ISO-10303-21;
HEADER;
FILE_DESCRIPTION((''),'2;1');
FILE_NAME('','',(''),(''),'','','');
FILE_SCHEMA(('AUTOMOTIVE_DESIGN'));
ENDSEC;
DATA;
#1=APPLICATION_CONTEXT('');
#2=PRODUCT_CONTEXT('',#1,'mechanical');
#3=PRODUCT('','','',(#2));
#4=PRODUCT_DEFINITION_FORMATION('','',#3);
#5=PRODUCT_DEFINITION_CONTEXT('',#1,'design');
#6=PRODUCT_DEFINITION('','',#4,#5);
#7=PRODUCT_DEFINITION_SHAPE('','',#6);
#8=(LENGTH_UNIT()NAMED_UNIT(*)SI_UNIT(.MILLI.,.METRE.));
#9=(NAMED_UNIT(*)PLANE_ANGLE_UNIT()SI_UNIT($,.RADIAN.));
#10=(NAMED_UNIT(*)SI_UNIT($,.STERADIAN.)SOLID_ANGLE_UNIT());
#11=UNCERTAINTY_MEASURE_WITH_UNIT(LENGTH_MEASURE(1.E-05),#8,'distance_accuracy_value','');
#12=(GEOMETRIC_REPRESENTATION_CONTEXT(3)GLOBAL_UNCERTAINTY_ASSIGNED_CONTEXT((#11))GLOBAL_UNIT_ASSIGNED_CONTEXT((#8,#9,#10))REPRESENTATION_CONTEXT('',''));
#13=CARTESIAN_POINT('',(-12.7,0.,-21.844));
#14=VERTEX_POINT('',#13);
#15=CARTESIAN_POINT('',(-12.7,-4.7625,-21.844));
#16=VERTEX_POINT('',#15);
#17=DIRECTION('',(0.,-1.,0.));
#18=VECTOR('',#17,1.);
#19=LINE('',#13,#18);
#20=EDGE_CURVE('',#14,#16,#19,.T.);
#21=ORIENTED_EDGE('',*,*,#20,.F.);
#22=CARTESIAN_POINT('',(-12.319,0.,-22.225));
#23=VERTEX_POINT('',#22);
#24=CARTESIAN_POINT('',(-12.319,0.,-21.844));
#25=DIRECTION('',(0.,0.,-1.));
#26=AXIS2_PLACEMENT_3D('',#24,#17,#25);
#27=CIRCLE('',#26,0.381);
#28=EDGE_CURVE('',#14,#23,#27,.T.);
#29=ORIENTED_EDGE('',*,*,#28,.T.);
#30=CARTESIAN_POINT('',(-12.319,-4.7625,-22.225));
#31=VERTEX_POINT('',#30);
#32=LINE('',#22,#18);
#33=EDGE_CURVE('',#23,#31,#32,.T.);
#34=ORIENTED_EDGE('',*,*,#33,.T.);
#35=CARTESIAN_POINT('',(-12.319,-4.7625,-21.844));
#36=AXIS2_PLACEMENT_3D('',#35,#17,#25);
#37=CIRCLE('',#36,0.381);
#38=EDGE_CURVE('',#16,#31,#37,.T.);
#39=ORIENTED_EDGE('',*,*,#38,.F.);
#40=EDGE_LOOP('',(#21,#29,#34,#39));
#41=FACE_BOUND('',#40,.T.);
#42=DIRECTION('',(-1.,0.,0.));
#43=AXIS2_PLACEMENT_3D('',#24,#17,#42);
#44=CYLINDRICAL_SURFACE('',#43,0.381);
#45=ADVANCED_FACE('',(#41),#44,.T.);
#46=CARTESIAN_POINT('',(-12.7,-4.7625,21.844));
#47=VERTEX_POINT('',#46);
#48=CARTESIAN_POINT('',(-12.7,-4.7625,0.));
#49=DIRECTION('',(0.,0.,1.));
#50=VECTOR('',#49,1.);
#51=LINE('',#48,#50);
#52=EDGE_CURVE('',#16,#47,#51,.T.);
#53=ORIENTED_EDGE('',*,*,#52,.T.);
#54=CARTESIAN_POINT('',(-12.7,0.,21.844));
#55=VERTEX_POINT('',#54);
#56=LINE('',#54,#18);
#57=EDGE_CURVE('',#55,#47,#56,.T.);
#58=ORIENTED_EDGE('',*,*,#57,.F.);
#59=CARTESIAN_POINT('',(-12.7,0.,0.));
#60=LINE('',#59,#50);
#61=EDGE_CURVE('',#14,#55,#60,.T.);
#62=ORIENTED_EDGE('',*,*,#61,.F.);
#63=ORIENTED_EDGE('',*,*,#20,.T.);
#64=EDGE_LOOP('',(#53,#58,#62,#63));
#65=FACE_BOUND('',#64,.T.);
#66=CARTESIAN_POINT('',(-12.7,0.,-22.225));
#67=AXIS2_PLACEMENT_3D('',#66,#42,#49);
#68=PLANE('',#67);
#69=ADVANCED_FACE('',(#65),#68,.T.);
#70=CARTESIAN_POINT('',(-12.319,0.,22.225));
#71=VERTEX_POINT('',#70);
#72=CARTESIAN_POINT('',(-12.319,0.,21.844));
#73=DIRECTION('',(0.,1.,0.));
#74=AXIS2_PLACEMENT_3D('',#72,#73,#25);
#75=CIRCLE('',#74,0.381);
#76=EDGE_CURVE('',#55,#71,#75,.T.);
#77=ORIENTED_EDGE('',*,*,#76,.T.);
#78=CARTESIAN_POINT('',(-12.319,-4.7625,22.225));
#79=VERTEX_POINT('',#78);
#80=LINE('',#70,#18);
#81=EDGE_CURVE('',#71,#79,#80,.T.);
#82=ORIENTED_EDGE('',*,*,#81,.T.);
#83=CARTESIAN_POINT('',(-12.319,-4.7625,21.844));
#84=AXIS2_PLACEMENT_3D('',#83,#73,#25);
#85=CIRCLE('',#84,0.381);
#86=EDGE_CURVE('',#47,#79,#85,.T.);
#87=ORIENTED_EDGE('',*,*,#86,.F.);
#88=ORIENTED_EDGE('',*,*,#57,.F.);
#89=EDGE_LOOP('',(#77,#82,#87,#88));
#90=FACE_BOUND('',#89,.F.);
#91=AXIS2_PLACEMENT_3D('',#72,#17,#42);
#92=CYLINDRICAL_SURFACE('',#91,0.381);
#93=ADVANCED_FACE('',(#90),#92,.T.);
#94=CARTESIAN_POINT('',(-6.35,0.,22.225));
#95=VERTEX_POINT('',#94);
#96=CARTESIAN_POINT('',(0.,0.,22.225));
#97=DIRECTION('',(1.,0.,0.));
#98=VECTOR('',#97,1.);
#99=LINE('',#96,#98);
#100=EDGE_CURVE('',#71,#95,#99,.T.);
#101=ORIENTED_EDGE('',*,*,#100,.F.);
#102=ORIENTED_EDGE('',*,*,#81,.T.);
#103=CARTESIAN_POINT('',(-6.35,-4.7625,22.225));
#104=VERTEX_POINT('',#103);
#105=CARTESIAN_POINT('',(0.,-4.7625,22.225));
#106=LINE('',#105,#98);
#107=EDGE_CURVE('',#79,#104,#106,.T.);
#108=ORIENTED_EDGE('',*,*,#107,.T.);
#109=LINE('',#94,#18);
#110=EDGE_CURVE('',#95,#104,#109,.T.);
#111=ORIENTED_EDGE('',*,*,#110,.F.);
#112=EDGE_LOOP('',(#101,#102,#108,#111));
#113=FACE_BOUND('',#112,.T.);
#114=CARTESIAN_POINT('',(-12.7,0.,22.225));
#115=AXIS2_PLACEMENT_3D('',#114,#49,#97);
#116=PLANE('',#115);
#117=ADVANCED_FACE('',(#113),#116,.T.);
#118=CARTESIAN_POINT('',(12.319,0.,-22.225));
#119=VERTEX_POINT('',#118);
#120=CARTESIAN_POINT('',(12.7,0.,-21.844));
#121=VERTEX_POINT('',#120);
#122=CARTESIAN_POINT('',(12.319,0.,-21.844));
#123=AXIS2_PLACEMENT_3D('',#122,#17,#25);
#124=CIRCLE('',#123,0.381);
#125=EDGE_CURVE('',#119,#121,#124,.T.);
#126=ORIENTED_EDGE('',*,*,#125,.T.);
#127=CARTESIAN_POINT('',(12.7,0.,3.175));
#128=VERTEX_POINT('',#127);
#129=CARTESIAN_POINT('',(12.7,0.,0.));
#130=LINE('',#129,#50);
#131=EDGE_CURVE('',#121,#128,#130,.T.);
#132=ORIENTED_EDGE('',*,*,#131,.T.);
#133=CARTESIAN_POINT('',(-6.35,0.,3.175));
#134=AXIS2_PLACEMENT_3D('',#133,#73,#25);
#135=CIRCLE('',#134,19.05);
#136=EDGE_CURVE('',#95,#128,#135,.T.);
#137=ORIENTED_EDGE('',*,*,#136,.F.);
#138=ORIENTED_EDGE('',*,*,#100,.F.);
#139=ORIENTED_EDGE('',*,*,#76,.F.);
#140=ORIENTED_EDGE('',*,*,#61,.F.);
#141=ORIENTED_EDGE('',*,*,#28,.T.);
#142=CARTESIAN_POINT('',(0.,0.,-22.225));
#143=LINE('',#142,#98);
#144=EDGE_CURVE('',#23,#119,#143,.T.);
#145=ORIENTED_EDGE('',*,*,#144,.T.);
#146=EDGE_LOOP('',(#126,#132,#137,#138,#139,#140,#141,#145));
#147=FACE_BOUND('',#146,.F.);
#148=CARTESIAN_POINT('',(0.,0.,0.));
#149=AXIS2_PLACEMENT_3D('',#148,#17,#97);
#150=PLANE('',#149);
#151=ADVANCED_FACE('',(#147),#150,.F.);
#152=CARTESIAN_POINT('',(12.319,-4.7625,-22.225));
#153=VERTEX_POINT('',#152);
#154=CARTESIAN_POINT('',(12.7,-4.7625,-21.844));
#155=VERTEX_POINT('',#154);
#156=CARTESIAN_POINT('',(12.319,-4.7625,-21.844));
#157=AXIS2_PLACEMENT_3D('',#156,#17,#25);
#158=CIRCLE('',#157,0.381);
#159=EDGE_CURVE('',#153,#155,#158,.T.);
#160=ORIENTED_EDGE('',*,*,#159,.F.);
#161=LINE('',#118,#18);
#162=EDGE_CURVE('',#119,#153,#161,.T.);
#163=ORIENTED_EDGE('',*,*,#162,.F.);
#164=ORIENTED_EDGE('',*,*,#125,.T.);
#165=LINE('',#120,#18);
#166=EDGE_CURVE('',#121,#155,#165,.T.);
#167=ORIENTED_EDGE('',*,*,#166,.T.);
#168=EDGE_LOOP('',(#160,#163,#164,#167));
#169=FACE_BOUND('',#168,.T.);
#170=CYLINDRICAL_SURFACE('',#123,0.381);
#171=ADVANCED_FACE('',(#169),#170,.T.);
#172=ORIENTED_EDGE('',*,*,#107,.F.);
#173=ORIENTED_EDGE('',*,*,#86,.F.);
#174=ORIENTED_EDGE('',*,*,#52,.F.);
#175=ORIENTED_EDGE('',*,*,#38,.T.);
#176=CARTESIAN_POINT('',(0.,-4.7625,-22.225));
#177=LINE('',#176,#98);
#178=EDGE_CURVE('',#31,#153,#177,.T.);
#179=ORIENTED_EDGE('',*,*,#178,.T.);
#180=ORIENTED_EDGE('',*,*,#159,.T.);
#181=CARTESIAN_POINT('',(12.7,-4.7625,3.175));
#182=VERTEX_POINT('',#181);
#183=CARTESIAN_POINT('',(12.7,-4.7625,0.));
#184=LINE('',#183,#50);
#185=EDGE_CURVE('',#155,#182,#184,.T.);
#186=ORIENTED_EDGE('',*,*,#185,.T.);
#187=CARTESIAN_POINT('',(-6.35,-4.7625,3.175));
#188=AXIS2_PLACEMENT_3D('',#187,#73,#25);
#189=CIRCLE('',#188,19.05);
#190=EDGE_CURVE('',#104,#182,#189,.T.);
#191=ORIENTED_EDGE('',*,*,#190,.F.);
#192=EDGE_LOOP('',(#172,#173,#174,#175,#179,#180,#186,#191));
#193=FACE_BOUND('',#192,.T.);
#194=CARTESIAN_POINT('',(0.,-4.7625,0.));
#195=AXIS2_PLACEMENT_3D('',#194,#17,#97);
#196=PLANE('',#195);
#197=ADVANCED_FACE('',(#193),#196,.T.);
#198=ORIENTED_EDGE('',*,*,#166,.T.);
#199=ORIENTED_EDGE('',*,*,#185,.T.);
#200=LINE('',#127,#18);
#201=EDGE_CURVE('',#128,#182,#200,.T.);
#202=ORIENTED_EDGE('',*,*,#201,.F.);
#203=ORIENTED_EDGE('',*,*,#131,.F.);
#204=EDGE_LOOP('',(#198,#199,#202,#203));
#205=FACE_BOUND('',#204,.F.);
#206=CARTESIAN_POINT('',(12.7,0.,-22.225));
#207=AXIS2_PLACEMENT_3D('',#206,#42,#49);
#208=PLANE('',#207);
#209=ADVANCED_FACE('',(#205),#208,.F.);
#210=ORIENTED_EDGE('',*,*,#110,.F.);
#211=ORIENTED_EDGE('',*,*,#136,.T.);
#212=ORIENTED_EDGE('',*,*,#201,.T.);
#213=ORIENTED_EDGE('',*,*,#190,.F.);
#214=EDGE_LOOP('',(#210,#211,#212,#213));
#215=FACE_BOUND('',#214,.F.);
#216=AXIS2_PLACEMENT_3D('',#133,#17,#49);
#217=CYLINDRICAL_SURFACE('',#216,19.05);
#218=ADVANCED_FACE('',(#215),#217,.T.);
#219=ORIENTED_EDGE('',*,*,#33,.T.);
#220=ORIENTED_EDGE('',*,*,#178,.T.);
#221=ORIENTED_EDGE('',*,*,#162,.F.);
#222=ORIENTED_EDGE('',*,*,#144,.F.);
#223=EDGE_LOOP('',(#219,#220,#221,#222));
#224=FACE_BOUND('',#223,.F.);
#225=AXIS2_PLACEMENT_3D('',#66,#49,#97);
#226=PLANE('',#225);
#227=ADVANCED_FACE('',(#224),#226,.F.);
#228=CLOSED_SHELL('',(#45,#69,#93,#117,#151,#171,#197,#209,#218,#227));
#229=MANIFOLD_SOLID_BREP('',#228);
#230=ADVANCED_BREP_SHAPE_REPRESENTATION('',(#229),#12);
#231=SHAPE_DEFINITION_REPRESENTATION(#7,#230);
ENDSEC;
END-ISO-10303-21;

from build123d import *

# Parameters (mm, degrees)
F0_W     = 25.4
F0_H     = 44.45
F1_DEPTH = 4.7625
F2_R     = 0.381
F3_R     = 19.05


with BuildPart() as f1:
    # F0 (on Front) → F1 (new body)
    with BuildSketch(Plane.XZ):
        Rectangle(F0_W, F0_H)
    extrude(amount=F1_DEPTH)

    # F2
    f2_edges = [f1.edges().sort_by_distance(p)[0] for p in [
        (-12.7, -2.38125, -22.225),
        (12.7, -2.38125, -22.225),
        (-12.7, -2.38125, 22.225),
    ]]
    fillet(f2_edges, radius=F2_R)

    # F3
    f3_edges = [f1.edges().sort_by_distance(p)[0] for p in [
        (12.7, -2.38125, 22.225),
    ]]
    fillet(f3_edges, radius=F3_R)


solid = f1.part
